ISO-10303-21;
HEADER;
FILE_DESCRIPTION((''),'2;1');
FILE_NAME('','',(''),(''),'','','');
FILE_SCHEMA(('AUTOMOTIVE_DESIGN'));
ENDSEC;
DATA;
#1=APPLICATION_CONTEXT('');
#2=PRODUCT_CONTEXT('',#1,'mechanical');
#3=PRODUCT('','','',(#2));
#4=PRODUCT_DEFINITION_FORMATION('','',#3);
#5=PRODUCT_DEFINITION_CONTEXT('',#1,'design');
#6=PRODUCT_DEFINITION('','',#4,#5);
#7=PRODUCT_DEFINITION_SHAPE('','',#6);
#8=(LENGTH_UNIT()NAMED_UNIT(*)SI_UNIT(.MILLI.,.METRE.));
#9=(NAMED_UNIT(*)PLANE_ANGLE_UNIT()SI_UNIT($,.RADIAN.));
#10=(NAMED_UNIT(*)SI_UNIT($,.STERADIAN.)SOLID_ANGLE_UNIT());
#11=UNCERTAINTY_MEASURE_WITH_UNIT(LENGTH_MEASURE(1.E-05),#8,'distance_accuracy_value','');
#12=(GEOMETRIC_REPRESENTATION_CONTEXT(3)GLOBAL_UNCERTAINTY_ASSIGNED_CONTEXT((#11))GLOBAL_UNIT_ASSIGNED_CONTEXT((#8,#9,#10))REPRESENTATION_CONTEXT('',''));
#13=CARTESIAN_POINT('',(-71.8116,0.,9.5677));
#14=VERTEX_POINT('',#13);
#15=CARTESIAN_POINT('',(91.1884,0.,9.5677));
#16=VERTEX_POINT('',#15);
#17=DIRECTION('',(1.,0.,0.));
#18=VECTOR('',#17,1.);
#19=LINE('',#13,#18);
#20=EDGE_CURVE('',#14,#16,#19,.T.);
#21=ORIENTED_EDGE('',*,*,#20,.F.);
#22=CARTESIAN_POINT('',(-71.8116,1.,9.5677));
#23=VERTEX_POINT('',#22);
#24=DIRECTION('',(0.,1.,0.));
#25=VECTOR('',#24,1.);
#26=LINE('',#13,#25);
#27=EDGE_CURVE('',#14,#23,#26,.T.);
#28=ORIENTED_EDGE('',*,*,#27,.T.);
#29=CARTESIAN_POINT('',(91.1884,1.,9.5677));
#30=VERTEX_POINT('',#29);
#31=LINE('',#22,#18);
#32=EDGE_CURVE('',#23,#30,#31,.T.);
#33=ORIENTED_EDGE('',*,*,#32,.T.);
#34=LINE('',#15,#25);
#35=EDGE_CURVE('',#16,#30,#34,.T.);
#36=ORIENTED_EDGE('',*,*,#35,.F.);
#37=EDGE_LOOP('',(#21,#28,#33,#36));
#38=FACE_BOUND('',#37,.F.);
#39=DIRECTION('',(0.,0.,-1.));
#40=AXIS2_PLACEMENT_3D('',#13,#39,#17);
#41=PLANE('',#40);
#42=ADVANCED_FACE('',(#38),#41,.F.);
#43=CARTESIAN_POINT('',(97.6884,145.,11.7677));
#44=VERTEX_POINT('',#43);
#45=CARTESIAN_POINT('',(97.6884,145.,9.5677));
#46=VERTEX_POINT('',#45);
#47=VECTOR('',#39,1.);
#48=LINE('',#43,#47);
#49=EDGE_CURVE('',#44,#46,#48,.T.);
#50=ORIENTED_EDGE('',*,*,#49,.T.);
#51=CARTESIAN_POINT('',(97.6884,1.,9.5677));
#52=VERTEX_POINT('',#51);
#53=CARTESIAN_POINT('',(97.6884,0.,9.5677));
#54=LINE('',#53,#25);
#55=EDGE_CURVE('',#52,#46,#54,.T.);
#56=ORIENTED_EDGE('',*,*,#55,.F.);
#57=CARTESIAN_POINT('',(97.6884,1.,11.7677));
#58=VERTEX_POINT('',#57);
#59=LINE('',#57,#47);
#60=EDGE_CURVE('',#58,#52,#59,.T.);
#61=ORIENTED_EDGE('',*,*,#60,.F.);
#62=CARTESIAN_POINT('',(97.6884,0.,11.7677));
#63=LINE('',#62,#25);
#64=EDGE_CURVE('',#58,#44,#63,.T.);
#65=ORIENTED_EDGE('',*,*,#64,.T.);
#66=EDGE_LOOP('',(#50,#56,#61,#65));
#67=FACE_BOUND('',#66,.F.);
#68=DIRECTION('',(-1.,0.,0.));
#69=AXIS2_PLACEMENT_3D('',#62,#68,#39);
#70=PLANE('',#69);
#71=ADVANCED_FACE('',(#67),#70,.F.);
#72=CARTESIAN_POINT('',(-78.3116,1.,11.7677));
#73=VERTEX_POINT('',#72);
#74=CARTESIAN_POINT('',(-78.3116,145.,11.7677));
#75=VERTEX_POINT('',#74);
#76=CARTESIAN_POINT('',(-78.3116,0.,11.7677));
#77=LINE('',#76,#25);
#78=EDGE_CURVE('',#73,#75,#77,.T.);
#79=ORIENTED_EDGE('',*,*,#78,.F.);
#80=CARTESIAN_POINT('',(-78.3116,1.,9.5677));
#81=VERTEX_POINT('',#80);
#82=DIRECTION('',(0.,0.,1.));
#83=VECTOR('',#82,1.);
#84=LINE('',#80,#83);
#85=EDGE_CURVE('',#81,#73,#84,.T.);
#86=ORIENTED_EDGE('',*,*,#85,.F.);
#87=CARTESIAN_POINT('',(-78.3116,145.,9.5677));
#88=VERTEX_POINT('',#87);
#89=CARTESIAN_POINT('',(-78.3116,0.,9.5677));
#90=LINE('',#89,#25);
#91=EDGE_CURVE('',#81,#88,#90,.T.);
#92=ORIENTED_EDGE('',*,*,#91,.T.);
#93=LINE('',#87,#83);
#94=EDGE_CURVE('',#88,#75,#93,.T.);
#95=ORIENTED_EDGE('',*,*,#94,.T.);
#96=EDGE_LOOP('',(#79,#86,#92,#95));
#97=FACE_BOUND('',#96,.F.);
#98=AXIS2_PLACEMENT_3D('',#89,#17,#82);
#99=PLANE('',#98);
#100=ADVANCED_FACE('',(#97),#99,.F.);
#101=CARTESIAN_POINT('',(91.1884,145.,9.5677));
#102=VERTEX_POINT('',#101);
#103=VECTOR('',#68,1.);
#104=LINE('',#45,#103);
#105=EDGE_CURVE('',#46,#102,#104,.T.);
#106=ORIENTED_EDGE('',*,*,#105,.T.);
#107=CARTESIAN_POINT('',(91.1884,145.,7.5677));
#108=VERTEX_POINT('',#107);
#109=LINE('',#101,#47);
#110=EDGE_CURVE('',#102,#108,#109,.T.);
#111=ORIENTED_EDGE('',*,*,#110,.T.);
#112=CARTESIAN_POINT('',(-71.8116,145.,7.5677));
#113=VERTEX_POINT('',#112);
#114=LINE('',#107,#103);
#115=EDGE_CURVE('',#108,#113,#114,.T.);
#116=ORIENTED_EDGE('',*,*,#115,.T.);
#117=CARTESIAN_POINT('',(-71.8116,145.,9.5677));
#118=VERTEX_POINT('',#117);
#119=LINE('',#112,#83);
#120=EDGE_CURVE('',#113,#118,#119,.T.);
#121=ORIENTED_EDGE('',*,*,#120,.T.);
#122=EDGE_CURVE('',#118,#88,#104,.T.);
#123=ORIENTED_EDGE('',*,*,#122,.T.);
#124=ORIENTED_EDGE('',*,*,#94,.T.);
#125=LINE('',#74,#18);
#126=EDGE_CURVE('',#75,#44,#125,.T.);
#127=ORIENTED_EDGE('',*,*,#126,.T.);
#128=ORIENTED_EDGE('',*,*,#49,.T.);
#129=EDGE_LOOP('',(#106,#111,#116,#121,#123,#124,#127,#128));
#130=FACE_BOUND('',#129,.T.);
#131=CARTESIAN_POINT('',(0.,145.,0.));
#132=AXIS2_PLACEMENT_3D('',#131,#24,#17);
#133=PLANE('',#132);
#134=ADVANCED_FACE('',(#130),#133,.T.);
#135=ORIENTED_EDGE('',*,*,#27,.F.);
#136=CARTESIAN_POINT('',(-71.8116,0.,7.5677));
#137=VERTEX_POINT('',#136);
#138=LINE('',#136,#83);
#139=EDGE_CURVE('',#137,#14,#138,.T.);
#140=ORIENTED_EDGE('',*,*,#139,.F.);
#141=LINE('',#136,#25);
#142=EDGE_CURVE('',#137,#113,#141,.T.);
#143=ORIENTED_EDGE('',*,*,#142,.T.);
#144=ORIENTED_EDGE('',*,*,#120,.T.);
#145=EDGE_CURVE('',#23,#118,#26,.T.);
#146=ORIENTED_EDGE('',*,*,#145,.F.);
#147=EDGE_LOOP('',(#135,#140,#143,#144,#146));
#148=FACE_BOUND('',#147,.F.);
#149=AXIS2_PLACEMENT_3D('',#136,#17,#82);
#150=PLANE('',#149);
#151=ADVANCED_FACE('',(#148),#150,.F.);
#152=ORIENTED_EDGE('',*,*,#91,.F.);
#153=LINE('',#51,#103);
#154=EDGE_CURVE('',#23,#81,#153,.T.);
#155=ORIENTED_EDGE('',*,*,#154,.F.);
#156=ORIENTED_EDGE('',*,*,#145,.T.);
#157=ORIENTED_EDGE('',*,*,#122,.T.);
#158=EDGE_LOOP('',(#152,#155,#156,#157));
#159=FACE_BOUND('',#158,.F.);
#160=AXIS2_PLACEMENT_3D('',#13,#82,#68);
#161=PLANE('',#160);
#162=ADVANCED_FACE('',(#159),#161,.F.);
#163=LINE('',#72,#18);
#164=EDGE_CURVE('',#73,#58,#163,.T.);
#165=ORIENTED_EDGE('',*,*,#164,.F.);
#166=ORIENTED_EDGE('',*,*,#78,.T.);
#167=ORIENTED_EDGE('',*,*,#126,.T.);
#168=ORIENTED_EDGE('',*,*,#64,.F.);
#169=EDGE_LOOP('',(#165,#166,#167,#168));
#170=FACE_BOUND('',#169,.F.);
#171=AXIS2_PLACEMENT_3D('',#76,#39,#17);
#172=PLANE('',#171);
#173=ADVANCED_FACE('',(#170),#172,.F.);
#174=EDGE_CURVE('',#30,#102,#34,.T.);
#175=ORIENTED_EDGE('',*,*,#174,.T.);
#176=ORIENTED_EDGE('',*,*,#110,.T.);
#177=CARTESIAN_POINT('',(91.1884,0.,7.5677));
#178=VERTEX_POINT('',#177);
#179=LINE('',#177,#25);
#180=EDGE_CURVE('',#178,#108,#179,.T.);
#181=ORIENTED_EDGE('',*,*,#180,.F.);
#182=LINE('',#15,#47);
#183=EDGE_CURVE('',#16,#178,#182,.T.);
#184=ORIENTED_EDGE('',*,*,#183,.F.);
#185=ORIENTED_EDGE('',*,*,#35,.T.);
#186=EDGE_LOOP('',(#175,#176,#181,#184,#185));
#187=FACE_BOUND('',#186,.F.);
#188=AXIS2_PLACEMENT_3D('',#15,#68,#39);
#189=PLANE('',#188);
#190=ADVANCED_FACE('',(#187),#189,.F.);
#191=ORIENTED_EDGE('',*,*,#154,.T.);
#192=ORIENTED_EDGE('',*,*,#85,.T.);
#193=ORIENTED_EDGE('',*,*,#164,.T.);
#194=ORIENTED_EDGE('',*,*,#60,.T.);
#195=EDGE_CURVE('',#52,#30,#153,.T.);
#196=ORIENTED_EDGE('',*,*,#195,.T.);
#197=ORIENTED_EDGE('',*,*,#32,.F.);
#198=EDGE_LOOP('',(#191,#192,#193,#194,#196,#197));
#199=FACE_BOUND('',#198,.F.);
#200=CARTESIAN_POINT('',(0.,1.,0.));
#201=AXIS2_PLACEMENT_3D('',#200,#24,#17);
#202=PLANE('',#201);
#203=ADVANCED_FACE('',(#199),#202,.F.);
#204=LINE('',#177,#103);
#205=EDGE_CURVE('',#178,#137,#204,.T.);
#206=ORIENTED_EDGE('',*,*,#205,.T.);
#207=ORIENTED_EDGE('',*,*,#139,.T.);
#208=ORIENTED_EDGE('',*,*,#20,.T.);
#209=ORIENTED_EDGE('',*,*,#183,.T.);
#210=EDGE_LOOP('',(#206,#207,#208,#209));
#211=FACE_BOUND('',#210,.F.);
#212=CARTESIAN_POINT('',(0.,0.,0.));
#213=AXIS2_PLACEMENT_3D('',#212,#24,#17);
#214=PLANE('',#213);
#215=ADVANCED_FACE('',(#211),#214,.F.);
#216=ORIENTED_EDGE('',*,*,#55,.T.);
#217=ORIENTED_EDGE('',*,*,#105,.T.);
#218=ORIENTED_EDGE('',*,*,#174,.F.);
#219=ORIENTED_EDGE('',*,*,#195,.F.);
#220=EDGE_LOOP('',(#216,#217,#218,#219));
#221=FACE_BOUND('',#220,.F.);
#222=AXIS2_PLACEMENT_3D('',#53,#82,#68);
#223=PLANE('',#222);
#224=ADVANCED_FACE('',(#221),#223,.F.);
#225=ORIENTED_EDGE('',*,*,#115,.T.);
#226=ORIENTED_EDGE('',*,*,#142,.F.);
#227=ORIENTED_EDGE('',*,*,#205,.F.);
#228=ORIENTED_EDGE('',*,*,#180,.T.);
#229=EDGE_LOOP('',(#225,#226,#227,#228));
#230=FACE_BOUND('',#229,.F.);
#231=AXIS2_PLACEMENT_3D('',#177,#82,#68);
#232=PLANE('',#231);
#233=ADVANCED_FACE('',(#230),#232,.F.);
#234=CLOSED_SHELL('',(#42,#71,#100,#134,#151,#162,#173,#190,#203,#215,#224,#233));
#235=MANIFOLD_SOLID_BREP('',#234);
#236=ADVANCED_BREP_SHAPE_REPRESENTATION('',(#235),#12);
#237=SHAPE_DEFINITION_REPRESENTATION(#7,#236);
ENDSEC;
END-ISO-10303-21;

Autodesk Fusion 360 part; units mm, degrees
sketch "Sketch2" plane through (0, 0, 0) normal (0, 1, 0) x (1, 0, 0)
  line L0 (-71.8116, -9.5677) -> (91.1884, -9.5677)
  line L1 (91.1884, -9.5677) -> (91.1884, -7.5677)
  line L2 (91.1884, -7.5677) -> (-71.8116, -7.5677)
  line L3 (-71.8116, -7.5677) -> (-71.8116, -9.5677)
  line L4 (-78.3116, -11.7677) -> (97.6884, -11.7677)
  line L5 (97.6884, -11.7677) -> (97.6884, -9.5677)
  line L6 (97.6884, -9.5677) -> (-78.3116, -9.5677)
  line L7 (-78.3116, -9.5677) -> (-78.3116, -11.7677)
  dimension "d1" = 163
  dimension "d2" = 2
  dimension "d3" = 6.5
  dimension "d4" = 6.5
  dimension "d5" = 2.2
extrude "Extrude1" add sketch "Sketch2" along normal blind 145
extrude "Extrude2" cut sketch "Sketch2" along normal blind 1 contours L0 L4 L5 L6 L7
